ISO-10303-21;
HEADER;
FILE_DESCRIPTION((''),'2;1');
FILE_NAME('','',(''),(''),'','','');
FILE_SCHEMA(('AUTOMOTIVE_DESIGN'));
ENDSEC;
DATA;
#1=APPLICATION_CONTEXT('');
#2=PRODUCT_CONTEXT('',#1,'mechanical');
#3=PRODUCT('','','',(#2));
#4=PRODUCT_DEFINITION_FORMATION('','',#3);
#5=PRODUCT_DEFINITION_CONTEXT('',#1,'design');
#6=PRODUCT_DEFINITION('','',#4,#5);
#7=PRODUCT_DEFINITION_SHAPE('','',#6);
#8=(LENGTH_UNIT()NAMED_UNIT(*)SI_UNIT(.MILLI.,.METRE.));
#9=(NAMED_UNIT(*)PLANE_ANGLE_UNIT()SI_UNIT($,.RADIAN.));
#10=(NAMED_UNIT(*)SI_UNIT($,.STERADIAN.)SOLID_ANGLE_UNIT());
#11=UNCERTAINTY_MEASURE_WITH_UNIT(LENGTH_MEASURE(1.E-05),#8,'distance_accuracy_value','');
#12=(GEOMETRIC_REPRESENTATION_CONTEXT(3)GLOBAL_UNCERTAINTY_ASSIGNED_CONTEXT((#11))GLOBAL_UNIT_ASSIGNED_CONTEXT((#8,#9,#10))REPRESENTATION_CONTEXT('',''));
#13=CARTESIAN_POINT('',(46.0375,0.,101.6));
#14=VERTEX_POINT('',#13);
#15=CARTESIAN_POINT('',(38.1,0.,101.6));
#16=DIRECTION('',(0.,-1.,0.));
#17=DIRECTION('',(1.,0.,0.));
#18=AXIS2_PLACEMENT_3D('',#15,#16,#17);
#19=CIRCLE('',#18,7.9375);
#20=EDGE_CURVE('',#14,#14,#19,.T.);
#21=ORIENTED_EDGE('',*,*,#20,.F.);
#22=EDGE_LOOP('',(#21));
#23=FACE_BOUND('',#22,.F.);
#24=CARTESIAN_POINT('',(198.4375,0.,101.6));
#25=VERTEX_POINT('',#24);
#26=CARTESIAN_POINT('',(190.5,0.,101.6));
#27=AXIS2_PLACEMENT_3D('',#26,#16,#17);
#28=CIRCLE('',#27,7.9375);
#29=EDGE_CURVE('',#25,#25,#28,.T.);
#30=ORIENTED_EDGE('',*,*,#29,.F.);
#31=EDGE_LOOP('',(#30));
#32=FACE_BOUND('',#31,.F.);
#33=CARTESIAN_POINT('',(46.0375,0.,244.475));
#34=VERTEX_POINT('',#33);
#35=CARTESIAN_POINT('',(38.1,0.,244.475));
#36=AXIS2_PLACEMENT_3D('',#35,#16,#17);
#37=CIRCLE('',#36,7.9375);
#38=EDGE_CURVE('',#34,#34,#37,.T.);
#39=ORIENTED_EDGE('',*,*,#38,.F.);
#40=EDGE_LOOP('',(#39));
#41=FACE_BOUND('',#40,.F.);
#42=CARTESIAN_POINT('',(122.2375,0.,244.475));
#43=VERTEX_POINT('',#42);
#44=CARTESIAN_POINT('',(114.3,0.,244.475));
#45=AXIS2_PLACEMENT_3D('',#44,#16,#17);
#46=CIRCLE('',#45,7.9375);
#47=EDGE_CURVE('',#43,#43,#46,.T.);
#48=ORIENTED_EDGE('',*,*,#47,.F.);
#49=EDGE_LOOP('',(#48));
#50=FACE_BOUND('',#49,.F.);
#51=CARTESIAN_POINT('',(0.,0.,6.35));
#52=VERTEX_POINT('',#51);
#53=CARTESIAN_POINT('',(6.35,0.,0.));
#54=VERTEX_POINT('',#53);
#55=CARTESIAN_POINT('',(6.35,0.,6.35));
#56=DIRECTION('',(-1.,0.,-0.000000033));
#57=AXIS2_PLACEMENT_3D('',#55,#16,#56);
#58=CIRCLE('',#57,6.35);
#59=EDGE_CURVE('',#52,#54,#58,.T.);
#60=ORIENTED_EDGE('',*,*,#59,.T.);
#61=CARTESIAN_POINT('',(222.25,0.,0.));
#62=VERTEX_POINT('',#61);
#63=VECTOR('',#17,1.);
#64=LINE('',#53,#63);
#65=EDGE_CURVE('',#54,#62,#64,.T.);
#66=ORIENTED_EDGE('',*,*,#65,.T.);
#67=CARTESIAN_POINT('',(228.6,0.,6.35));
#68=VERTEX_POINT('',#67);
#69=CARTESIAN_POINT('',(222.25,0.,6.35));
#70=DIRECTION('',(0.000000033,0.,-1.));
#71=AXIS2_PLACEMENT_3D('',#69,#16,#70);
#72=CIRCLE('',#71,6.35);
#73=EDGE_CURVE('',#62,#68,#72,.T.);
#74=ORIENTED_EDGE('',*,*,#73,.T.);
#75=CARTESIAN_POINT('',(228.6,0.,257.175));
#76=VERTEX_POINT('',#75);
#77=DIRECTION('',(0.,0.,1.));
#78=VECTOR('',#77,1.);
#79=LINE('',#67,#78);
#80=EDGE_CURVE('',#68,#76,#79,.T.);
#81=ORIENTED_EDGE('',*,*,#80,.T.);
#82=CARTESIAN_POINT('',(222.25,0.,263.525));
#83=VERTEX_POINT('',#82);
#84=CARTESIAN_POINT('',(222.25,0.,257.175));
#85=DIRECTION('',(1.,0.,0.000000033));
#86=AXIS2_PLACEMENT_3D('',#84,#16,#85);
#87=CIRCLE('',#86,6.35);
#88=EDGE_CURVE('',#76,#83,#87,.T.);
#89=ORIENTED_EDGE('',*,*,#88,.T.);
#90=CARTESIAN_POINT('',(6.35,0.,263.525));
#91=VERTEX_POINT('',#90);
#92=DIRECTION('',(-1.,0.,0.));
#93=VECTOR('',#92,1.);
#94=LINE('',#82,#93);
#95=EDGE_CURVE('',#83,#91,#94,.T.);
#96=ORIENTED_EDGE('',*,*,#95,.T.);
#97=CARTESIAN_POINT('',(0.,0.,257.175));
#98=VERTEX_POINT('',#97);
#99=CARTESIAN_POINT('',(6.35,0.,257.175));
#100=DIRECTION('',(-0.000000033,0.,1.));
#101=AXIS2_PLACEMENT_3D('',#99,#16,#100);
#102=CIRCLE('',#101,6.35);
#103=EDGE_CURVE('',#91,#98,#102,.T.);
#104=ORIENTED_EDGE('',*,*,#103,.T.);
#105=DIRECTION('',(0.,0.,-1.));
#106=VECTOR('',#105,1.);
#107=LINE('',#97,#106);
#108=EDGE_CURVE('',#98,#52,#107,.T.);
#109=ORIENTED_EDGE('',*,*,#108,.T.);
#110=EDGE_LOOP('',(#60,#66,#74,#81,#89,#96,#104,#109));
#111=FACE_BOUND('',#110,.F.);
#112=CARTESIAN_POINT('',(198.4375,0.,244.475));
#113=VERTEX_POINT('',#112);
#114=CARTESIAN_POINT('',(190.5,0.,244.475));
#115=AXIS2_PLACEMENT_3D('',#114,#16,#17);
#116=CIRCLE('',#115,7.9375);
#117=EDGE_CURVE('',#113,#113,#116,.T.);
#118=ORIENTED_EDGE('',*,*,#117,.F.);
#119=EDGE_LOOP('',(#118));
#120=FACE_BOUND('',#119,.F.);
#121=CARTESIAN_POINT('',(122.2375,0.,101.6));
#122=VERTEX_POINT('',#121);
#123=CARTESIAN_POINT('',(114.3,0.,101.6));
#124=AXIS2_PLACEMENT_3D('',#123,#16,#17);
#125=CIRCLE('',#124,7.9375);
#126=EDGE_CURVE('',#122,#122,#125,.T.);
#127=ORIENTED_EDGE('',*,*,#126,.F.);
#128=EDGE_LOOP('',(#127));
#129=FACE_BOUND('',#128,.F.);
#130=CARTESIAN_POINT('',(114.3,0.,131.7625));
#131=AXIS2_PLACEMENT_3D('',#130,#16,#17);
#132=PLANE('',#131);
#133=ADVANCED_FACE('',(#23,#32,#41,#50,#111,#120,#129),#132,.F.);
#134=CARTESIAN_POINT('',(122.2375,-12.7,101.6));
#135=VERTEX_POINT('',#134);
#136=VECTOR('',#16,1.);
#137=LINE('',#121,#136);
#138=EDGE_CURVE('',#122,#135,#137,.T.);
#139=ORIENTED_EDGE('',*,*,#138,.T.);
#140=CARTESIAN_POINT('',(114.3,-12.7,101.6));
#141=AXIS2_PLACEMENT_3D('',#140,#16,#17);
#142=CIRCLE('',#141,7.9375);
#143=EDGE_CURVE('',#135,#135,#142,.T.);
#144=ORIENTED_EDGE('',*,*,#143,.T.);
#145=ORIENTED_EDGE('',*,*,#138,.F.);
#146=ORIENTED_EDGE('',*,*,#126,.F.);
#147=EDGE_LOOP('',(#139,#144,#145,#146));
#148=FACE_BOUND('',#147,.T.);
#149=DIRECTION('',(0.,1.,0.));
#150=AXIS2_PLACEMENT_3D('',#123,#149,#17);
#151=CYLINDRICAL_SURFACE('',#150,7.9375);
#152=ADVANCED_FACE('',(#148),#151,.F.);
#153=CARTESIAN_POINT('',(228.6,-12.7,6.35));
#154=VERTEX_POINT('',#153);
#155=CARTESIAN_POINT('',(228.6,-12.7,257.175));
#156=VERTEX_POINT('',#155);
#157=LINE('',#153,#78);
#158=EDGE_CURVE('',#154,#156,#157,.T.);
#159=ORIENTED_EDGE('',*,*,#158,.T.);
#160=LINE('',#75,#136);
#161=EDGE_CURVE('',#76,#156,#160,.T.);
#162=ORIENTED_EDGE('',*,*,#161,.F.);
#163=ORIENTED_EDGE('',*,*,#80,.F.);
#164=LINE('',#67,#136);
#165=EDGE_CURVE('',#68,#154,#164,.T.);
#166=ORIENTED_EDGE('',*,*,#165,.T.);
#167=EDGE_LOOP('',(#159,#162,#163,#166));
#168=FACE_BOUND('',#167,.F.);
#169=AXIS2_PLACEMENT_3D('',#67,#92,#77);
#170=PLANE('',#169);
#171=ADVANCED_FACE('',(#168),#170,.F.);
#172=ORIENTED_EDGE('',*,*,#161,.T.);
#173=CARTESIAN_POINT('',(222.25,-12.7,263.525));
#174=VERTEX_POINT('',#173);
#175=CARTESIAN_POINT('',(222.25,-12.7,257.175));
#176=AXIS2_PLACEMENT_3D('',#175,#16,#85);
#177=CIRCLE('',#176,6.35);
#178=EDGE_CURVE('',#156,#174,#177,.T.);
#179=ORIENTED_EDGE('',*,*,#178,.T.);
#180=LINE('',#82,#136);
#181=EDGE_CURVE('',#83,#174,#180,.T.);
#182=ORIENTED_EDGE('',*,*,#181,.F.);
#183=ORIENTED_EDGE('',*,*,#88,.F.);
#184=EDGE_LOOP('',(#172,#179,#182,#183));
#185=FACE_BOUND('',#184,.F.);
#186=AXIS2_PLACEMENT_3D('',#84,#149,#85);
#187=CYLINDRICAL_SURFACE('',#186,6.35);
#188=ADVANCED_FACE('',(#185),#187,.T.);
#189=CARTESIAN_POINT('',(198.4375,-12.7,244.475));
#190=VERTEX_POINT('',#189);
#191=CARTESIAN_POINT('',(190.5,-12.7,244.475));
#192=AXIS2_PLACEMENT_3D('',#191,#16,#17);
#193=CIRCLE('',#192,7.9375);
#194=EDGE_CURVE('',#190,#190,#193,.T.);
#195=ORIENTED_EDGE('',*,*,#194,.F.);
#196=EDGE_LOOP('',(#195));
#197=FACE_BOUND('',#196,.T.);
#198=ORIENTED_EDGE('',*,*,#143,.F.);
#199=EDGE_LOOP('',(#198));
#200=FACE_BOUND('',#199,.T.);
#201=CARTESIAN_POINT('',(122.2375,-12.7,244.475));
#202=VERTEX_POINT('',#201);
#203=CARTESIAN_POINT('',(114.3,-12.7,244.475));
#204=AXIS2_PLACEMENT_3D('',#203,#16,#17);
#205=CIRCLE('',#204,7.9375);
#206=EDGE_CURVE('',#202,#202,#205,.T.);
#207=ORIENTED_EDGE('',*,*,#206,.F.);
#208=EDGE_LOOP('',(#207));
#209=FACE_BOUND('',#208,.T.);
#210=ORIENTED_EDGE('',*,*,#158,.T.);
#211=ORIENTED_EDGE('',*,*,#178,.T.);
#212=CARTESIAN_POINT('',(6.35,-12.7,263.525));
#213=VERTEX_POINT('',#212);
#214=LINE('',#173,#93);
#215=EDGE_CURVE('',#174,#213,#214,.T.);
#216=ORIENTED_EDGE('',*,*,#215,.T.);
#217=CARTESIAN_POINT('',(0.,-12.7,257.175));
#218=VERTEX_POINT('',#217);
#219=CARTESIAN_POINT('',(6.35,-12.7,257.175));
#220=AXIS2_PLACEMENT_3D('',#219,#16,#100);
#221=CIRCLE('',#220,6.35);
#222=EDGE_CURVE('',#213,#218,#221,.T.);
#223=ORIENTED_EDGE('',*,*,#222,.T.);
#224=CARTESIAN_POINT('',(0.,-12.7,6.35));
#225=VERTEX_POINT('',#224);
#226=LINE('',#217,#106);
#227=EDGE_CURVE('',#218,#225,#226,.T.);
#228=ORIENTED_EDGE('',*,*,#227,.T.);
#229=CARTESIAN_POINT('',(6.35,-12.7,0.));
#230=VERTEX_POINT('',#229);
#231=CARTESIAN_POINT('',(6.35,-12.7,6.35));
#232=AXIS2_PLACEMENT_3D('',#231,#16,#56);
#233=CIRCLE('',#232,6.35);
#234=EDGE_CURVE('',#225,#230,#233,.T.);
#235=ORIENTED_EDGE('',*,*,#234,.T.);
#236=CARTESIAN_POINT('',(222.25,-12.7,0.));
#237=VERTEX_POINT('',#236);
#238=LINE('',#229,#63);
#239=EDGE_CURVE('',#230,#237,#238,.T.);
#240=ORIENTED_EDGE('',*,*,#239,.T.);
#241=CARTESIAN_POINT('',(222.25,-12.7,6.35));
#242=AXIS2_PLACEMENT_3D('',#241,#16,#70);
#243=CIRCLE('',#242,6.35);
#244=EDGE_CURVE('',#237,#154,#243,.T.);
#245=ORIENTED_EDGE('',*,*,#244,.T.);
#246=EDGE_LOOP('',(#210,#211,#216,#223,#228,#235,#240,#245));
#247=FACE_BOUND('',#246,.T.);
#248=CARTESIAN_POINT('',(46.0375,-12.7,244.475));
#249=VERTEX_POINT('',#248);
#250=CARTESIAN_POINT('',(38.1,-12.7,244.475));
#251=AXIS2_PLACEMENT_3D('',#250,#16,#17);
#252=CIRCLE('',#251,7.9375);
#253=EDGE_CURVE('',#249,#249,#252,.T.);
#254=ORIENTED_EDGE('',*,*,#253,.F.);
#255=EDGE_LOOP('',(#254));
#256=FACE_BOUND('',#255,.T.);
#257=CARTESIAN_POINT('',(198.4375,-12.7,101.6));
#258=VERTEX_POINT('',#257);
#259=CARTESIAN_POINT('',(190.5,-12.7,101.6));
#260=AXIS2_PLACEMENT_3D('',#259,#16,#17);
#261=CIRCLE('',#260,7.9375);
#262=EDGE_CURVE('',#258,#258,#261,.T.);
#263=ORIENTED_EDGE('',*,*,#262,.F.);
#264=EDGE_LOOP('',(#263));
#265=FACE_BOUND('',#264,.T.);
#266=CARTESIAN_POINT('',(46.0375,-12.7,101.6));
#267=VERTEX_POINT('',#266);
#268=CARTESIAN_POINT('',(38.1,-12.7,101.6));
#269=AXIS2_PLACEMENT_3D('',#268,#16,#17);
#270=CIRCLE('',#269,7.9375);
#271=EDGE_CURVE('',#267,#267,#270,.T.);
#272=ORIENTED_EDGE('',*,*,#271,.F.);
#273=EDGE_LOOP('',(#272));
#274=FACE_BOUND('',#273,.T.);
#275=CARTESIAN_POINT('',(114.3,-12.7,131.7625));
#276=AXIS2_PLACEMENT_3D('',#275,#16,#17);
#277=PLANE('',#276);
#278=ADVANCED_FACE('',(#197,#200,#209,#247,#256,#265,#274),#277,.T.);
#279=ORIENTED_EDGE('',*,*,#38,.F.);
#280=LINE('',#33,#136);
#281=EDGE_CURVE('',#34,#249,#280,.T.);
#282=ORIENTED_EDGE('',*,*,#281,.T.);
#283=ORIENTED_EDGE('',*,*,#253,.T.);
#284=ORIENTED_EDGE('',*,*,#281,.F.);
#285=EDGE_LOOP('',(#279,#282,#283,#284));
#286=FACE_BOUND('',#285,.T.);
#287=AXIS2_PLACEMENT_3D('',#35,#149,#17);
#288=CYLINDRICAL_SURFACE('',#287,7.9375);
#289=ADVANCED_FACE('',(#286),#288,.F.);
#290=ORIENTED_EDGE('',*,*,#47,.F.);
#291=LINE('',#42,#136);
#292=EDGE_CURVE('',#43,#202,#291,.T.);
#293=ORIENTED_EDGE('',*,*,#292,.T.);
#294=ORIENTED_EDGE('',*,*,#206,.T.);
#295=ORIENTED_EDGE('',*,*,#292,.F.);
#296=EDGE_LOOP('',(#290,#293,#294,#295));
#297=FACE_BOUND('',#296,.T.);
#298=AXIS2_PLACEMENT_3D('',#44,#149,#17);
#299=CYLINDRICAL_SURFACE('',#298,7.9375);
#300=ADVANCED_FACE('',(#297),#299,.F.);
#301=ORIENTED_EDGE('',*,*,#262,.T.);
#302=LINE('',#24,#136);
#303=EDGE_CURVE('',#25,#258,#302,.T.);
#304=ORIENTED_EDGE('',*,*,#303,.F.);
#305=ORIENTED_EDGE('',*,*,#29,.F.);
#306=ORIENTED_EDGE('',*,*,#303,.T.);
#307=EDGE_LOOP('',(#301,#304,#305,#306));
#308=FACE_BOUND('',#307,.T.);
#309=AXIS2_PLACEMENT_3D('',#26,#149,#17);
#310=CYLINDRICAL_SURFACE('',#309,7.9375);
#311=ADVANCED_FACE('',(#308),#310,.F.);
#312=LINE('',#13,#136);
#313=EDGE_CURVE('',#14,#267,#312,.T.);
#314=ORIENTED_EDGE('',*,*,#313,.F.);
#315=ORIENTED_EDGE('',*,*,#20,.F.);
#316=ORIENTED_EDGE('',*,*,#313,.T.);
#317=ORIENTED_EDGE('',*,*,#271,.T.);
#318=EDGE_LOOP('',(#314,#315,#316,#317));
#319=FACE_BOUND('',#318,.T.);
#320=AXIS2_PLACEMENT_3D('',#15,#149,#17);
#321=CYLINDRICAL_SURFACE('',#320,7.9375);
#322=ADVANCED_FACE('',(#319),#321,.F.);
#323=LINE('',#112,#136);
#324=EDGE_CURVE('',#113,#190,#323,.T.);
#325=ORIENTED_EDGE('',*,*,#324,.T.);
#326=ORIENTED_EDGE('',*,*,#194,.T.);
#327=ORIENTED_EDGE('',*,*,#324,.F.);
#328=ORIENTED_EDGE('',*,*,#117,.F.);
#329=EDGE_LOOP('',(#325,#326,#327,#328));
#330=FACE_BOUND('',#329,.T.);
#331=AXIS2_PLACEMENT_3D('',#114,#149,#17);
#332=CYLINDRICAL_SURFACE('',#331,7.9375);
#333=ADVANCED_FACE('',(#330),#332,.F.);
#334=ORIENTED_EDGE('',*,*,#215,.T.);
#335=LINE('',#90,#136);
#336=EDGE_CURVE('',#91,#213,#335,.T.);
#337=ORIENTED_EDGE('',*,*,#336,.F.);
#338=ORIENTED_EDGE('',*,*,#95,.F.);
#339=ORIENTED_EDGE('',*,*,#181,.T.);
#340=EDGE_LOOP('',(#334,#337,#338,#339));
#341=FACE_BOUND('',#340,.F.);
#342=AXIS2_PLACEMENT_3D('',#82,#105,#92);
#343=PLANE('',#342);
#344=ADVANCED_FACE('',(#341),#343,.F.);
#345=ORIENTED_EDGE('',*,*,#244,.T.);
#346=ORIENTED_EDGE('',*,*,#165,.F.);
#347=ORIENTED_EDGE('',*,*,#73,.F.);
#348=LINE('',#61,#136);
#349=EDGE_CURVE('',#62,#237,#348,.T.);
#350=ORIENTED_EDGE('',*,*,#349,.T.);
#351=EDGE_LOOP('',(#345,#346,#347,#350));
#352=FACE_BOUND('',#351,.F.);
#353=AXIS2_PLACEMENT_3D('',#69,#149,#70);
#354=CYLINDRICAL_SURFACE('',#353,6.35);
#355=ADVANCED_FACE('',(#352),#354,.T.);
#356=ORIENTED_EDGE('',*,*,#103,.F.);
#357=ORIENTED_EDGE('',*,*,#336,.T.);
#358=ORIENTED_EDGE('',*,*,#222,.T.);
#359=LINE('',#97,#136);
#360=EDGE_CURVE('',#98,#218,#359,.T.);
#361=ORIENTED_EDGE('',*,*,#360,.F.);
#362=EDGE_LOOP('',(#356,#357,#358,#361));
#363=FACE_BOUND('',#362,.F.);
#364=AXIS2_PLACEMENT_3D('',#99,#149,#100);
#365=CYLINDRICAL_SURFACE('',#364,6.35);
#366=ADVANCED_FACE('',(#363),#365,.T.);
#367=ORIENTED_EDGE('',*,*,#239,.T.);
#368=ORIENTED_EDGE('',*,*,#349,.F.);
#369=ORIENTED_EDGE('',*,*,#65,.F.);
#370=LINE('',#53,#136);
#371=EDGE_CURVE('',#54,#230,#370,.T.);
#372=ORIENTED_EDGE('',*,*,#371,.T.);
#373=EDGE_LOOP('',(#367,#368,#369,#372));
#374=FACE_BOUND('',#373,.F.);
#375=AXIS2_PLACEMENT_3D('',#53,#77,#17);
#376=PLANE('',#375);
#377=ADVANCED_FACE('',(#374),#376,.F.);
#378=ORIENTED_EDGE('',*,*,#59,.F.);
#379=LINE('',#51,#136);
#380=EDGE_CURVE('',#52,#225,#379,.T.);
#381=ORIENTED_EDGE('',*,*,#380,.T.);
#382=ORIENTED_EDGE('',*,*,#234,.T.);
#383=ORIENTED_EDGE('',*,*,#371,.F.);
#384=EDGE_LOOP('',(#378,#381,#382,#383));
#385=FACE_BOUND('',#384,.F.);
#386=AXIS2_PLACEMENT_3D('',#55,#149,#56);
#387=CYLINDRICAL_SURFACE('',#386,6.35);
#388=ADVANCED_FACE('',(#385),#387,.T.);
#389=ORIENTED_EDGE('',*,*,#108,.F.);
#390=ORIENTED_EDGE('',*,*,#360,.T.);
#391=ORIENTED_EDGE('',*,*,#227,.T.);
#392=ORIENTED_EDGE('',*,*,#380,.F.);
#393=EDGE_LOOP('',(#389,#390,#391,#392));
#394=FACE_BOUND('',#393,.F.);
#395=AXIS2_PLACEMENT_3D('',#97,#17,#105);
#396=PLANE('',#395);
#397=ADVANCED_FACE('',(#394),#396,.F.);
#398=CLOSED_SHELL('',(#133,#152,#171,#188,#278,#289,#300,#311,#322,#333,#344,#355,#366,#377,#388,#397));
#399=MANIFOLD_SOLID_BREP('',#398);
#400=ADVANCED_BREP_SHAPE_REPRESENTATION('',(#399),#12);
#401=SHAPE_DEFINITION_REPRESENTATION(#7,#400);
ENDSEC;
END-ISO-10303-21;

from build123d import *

# Parameters (mm, degrees)
F0_R     = 7.9375
F1_DEPTH = 12.7


with BuildPart() as f1:
    # F0 (on Front) → F1 (new body)
    with BuildSketch(Plane.XZ):
        with BuildLine():
            ThreePointArc((0, 6.35), (1.859872, 1.859872), (6.35, 0))
            Line((6.35, 0), (222.25, 0))
            ThreePointArc((222.25, 0), (226.740128, 1.859872), (228.6, 6.35))
            Line((228.6, 6.35), (228.6, 257.175))
            ThreePointArc((228.6, 257.175), (226.740128, 261.665128), (222.25, 263.525))
            Line((222.25, 263.525), (6.35, 263.525))
            ThreePointArc((6.35, 263.525), (1.859872, 261.665128), (0, 257.175))
            Line((0, 257.175), (0, 6.35))
        make_face()
        with Locations((38.1, 101.6)):
            Circle(F0_R, mode=Mode.SUBTRACT)
        with Locations((114.3, 101.6)):
            Circle(F0_R, mode=Mode.SUBTRACT)
        with Locations((190.5, 101.6)):
            Circle(F0_R, mode=Mode.SUBTRACT)
        with Locations((38.1, 244.475)):
            Circle(F0_R, mode=Mode.SUBTRACT)
        with Locations((114.3, 244.475)):
            Circle(F0_R, mode=Mode.SUBTRACT)
        with Locations((190.5, 244.475)):
            Circle(F0_R, mode=Mode.SUBTRACT)
    extrude(amount=F1_DEPTH)


solid = f1.part
